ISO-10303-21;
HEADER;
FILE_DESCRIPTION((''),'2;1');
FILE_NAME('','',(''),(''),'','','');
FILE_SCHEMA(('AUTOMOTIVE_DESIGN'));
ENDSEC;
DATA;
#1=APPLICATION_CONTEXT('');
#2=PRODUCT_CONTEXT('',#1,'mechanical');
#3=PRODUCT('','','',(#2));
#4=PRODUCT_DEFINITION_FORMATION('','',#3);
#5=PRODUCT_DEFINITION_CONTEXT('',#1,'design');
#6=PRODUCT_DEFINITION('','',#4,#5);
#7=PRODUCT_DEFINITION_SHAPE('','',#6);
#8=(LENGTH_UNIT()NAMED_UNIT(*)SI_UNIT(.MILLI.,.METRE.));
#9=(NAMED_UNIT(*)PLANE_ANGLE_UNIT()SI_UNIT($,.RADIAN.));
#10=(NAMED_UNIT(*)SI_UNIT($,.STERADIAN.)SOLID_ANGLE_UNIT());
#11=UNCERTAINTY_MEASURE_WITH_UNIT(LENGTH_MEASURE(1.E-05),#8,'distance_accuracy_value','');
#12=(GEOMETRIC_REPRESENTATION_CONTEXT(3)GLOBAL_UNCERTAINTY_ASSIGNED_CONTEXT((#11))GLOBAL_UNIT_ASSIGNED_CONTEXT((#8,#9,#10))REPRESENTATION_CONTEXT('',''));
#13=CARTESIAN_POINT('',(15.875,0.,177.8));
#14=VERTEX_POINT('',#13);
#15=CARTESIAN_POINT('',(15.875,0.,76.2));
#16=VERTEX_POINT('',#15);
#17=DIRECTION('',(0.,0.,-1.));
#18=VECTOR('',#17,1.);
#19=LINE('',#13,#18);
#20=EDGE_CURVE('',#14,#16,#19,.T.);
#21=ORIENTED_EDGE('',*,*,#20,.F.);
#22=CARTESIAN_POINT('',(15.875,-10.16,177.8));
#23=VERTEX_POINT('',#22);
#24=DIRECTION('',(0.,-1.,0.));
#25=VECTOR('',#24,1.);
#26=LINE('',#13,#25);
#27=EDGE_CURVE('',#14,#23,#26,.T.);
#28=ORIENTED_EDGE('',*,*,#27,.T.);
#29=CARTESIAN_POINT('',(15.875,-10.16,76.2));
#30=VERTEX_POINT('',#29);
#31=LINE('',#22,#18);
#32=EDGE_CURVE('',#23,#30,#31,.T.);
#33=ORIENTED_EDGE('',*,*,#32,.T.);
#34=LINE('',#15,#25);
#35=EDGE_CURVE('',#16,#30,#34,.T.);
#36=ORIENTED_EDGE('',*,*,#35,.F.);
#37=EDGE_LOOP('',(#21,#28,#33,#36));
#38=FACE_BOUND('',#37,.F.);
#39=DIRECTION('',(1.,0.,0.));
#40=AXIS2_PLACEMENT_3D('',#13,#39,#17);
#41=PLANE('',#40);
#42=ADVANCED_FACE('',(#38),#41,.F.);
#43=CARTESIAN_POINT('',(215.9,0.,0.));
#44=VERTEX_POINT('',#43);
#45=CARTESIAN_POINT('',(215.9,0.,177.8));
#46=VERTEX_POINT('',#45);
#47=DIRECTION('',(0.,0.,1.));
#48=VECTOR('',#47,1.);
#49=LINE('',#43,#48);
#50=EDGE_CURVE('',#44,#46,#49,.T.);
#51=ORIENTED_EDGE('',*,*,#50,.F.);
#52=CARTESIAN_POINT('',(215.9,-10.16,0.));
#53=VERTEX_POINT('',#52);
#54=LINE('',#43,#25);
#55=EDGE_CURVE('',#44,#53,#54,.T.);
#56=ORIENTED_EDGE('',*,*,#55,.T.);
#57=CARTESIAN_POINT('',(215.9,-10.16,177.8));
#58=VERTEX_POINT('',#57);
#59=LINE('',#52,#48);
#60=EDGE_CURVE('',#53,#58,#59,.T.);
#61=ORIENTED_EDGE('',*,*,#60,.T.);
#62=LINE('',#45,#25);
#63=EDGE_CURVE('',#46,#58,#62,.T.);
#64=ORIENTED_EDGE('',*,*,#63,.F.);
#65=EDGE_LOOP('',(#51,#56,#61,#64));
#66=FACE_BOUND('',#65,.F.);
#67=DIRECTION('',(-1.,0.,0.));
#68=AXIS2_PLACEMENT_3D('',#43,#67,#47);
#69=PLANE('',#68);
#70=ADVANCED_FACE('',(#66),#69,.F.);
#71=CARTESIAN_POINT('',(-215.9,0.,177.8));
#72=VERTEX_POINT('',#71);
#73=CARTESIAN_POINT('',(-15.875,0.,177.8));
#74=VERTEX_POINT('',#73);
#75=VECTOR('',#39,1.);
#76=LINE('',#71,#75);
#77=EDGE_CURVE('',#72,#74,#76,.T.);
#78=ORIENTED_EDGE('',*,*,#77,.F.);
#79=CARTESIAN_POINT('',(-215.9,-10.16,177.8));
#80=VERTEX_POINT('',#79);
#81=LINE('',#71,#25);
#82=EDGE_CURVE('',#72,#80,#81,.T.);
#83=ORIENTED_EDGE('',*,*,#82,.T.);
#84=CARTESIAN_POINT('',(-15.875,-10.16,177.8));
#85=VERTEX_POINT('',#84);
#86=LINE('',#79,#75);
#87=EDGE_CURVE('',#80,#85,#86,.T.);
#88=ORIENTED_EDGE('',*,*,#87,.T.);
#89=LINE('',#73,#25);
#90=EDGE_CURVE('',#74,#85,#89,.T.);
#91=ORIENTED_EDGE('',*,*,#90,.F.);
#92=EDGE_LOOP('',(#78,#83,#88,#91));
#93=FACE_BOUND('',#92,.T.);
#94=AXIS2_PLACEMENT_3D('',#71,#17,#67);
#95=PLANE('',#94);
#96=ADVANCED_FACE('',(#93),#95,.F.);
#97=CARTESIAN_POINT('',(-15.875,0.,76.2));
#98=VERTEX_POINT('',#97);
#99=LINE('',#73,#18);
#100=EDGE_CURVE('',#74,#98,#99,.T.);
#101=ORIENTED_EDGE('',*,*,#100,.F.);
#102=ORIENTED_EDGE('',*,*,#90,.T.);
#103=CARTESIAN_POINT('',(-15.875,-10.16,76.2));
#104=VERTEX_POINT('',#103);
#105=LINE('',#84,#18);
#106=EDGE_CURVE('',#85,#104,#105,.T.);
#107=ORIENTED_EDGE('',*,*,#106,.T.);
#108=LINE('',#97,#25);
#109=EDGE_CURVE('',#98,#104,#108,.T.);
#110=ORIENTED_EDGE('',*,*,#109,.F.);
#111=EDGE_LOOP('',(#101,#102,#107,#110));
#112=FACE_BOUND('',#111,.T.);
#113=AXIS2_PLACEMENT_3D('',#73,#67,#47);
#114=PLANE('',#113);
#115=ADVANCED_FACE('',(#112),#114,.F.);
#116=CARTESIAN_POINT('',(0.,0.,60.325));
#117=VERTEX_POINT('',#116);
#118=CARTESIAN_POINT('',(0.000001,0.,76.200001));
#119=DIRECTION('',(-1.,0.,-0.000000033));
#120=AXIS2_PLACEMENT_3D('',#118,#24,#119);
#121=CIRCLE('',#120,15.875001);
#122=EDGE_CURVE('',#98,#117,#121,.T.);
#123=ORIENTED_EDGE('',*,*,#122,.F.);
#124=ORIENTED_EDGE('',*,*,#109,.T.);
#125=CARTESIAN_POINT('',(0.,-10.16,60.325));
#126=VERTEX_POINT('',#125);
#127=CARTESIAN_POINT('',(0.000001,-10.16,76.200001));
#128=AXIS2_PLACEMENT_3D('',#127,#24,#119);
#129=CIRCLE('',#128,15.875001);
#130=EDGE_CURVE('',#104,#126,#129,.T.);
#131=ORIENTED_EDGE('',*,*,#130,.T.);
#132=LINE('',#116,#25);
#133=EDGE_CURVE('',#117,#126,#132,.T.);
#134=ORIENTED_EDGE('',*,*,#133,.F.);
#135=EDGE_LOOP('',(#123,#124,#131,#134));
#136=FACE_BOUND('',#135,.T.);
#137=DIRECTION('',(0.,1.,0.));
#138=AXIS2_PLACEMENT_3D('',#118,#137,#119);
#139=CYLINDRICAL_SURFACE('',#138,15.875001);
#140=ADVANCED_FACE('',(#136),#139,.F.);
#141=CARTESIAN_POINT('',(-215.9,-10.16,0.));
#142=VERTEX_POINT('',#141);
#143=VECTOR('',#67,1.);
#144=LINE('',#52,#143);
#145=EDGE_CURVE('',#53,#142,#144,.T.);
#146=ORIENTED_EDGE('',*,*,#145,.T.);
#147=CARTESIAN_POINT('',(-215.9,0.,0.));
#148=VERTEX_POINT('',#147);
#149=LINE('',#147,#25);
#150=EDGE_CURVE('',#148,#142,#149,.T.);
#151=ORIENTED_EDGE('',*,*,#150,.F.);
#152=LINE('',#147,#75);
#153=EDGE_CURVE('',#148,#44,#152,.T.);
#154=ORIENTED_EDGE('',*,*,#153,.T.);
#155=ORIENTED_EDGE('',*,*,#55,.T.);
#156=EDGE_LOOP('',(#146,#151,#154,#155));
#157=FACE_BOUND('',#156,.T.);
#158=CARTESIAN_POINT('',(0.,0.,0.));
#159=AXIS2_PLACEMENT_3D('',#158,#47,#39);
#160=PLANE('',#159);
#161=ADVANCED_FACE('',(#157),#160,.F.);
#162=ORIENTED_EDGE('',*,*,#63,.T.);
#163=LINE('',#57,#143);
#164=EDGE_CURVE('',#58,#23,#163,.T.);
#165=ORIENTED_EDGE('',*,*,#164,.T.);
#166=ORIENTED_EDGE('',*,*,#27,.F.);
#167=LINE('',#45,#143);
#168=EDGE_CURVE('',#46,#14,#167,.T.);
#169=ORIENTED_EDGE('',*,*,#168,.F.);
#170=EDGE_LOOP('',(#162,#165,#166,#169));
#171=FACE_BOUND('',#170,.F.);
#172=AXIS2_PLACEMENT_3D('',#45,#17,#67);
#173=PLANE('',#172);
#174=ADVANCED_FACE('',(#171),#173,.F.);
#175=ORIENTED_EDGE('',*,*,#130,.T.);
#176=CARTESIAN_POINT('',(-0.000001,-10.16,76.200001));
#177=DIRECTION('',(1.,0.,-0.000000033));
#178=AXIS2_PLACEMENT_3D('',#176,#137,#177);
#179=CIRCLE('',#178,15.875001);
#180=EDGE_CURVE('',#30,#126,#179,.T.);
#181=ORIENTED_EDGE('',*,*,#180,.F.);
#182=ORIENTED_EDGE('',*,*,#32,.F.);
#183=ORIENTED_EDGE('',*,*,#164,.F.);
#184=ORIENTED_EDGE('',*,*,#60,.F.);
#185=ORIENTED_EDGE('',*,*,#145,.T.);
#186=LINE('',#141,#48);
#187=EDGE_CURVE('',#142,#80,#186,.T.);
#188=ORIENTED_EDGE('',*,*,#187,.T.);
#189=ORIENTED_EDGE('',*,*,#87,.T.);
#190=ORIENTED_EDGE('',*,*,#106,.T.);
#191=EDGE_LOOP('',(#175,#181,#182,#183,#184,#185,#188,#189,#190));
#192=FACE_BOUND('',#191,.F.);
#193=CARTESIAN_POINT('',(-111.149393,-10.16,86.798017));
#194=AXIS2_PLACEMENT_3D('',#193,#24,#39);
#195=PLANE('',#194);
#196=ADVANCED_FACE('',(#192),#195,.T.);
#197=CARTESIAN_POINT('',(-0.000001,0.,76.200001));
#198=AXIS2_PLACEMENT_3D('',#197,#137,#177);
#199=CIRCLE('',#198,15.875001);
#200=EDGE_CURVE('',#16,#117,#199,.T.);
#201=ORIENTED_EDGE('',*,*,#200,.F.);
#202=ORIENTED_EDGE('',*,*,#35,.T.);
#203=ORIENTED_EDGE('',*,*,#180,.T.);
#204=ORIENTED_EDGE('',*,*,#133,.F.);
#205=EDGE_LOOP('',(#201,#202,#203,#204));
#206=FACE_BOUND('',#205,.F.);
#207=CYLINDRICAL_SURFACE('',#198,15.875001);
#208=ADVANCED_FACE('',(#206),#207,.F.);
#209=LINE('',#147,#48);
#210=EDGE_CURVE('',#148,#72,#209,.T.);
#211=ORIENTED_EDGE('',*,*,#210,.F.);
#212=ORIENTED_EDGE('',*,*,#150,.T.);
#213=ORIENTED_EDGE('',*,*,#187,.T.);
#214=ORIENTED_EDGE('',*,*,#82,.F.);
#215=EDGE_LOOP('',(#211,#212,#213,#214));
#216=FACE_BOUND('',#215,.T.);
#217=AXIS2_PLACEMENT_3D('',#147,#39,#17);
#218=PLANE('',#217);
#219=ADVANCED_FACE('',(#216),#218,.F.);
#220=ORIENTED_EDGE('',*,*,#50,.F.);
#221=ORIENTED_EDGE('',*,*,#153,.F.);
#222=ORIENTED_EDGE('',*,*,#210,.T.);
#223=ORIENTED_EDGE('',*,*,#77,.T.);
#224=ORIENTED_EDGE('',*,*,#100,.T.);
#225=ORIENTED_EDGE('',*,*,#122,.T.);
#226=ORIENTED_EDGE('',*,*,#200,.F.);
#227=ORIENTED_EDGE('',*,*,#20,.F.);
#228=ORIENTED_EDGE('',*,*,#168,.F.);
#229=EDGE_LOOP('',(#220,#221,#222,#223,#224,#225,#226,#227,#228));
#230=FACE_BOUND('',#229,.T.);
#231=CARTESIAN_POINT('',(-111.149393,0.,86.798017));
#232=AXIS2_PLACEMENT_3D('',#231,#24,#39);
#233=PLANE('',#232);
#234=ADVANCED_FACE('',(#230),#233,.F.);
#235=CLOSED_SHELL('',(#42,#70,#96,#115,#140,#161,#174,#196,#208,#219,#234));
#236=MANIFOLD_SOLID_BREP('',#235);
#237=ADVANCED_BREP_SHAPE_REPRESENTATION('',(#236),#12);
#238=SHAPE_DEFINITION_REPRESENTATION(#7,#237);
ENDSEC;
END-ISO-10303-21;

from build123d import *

# Parameters (mm, degrees)
F1_DEPTH = 10.16


with BuildPart() as f1:
    # F0 (on Front) → F1 (new body)
    with BuildSketch(Plane.XZ):
        with BuildLine():
            Line((0, 60.325), (0, 0))
            Line((0, 0), (215.9, 0))
            Line((215.9, 0), (215.9, 177.8))
            Line((215.9, 177.8), (15.875, 177.8))
            Line((15.875, 177.8), (15.875, 76.2))
            ThreePointArc((15.875, 76.2), (11.22532, 64.97468), (0, 60.325))
        make_face()
    extrude(amount=F1_DEPTH)

    # F2: F1 across plane


with BuildPart() as f1_1:
    add(f1.part)
    add(f1.part.mirror(Plane.YZ))


solid = f1_1.part
